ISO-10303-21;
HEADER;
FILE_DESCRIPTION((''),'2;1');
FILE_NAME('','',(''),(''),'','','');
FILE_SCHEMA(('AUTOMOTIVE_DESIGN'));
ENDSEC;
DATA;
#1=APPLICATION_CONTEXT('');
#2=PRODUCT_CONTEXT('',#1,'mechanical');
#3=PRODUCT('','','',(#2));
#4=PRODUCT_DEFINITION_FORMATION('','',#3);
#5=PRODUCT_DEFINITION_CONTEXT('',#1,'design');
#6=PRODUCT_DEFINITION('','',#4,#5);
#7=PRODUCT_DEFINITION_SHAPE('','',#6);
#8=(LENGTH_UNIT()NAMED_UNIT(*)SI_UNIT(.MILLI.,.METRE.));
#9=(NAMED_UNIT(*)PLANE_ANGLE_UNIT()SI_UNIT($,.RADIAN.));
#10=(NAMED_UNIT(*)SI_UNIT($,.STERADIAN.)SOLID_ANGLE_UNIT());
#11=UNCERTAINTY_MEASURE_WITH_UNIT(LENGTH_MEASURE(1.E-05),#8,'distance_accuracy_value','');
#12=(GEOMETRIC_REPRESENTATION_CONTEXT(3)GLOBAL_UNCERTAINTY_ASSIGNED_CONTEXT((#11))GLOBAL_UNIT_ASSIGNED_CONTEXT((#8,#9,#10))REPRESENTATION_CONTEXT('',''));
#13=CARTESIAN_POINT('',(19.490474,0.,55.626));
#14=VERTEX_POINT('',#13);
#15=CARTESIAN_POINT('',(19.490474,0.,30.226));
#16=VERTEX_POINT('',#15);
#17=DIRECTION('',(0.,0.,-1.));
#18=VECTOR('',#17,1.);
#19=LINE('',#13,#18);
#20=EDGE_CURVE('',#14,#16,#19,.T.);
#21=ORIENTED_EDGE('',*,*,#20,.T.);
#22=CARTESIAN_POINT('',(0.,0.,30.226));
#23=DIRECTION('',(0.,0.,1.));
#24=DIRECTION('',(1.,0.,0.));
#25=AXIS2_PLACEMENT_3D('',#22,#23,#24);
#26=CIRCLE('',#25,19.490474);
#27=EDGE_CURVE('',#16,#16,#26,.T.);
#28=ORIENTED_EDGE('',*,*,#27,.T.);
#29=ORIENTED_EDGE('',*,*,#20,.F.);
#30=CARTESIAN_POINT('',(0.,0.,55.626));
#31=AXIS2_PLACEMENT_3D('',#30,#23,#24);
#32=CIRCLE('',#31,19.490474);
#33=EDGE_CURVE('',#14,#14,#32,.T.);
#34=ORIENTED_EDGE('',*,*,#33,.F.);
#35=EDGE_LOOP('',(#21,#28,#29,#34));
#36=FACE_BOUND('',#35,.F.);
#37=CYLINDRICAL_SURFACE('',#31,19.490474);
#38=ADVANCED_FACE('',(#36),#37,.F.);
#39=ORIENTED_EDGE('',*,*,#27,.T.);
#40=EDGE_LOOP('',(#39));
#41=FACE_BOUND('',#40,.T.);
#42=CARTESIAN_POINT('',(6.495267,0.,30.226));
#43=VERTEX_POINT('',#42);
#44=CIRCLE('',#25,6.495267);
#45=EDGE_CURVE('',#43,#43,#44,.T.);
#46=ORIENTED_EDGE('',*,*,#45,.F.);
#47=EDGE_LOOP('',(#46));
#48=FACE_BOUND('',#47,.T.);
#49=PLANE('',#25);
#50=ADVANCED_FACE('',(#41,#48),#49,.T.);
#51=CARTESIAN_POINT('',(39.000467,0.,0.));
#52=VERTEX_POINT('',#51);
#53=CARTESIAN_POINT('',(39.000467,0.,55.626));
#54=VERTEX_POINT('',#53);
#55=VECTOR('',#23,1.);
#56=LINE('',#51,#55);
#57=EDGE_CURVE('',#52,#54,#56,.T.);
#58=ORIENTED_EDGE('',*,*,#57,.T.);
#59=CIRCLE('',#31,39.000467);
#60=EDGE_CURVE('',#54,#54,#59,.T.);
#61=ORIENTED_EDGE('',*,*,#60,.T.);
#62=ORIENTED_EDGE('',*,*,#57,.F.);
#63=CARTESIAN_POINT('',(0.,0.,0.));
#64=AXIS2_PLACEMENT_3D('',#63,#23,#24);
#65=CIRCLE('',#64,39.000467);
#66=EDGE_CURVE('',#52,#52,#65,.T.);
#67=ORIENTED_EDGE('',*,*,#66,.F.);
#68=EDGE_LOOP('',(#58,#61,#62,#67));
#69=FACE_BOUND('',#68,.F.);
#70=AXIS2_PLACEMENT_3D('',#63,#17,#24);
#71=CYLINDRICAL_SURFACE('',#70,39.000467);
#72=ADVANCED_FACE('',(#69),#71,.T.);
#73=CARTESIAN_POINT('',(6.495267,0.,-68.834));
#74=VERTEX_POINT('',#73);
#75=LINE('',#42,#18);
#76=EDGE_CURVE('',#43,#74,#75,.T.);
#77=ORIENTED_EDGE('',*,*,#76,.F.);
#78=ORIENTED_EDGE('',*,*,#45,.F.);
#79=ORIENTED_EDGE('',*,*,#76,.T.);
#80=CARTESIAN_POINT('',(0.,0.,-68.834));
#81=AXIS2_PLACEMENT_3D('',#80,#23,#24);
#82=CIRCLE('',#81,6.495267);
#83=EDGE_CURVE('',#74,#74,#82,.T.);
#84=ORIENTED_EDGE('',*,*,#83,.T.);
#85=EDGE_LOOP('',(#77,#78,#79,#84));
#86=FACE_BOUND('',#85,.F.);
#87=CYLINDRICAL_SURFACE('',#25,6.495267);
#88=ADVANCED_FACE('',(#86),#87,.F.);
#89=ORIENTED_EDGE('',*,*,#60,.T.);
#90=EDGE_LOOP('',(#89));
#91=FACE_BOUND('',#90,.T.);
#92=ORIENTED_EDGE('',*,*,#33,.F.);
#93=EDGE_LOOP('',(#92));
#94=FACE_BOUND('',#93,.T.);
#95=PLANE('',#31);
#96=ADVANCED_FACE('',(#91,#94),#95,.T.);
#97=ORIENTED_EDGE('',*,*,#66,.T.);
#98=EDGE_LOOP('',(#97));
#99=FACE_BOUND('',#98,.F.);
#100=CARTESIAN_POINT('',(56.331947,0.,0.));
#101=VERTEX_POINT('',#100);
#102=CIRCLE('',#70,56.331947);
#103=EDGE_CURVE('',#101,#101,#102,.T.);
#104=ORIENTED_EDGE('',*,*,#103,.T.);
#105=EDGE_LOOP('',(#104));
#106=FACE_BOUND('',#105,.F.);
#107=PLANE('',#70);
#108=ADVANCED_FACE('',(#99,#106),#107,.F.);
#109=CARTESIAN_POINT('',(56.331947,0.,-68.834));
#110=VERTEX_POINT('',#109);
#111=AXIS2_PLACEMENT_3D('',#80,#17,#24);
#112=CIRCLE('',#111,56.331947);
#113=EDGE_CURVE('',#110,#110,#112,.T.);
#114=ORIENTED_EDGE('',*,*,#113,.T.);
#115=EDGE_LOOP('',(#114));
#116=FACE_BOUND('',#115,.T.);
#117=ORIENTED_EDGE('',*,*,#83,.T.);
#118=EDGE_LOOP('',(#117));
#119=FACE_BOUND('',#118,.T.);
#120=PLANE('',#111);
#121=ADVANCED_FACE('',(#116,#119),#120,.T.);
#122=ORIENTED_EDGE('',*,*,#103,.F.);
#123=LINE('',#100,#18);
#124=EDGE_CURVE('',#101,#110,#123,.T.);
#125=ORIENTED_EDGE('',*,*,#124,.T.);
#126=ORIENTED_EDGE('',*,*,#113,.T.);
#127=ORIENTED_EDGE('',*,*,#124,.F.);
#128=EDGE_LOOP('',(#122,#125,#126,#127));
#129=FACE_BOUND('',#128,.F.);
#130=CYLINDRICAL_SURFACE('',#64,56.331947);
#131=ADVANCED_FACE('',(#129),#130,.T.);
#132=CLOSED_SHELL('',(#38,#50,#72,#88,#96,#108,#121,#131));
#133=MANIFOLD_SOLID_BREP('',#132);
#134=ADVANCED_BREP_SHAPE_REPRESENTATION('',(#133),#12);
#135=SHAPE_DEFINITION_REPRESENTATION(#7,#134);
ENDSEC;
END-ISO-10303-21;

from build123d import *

# Parameters (mm, degrees)
F0_R     = 39.000467
F1_DEPTH = 55.626
F2_R     = 21.469452
F3_DEPTH = 29.464
F4_R     = 19.490474
F5_DEPTH = 25.4
F6_R     = 56.331947
F7_DEPTH = 68.834
F8_R     = 6.495267
F9_DEPTH = 169.164


with BuildPart() as f1:
    # F0 (on Top) → F1 (new body)
    with BuildSketch(Plane.XY):
        Circle(F0_R)
    extrude(amount=F1_DEPTH)

    # F2 (on face) → F3 (join)
    with BuildSketch(Plane.XY.offset(55.626)):
        Circle(F2_R)
    extrude(amount=-F3_DEPTH)

    # F4 (on face) → F5 (cut)
    with BuildSketch(Plane.XY.offset(55.626)):
        Circle(F4_R)
    extrude(amount=-F5_DEPTH, mode=Mode.SUBTRACT)

    # F6 (on face) → F7 (join)
    with BuildSketch(Plane(origin=(0, 0, 0), x_dir=(1, 0, 0), z_dir=(0, 0, -1))):
        Circle(F6_R)
    extrude(amount=F7_DEPTH)

    # F8 (on face) → F9 (cut)
    with BuildSketch(Plane.XY.offset(30.226)):
        Circle(F8_R)
    extrude(amount=-F9_DEPTH, mode=Mode.SUBTRACT)


solid = f1.part
